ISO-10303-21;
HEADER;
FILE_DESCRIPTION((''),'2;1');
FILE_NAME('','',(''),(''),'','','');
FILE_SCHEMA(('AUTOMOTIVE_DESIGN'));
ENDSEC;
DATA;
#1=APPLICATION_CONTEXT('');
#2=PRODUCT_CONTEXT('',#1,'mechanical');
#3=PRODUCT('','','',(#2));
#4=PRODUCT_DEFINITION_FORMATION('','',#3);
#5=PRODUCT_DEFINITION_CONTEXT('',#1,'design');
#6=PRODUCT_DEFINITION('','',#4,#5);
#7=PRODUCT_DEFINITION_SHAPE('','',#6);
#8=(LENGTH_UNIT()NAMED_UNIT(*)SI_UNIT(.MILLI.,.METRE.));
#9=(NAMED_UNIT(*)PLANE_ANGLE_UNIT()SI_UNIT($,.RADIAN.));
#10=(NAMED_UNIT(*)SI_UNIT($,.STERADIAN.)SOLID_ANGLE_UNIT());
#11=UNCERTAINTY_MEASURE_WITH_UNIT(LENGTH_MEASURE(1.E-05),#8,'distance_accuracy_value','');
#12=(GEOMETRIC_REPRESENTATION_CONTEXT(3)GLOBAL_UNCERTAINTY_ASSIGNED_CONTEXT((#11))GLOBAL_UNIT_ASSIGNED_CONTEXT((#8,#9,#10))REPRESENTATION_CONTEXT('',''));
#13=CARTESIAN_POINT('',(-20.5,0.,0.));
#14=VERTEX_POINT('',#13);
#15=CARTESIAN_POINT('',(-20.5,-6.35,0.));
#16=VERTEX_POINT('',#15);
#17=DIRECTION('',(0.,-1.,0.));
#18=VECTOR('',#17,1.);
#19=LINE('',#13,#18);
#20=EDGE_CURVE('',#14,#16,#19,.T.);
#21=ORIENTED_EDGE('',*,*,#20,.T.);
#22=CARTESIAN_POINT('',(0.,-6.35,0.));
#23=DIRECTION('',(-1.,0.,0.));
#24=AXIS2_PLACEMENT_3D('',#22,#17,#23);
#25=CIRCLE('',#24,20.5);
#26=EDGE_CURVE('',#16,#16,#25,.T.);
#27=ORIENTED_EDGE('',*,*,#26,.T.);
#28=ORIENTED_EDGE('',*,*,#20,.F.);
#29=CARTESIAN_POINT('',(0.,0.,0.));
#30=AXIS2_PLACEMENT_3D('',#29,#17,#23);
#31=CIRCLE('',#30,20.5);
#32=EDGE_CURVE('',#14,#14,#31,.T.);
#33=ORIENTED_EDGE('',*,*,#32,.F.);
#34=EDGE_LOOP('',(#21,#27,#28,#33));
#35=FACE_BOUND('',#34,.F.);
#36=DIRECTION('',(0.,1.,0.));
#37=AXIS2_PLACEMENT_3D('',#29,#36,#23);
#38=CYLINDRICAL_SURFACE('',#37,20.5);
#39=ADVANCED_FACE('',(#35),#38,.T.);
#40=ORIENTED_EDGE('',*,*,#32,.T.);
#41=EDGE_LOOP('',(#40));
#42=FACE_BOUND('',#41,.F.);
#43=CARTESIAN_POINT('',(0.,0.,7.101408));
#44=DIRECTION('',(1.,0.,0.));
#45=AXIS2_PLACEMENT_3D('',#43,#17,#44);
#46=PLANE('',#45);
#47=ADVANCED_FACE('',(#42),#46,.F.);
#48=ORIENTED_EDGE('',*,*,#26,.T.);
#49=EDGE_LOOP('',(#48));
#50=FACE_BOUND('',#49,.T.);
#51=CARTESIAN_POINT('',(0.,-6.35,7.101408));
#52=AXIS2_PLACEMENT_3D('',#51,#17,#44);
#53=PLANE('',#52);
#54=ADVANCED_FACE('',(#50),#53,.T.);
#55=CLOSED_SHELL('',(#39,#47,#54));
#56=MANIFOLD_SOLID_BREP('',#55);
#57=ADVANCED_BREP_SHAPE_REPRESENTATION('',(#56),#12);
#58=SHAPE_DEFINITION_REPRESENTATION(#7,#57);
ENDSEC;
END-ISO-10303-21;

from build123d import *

# Parameters (mm, degrees)
F1_DEPTH = 6.35


with BuildPart() as f1:
    # F0 (on Front) → F1 (new body)
    with BuildSketch(Plane.XZ):
        with BuildLine():
            Line((-20.5, 0), (20.5, 0))
            ThreePointArc((20.5, 0), (0, 20.5), (-20.5, 0))
        make_face()
        with BuildLine():
            ThreePointArc((-20.5, 0), (0, -20.5), (20.5, 0))
            Line((20.5, 0), (-20.5, 0))
        make_face()
    extrude(amount=F1_DEPTH)


solid = f1.part
